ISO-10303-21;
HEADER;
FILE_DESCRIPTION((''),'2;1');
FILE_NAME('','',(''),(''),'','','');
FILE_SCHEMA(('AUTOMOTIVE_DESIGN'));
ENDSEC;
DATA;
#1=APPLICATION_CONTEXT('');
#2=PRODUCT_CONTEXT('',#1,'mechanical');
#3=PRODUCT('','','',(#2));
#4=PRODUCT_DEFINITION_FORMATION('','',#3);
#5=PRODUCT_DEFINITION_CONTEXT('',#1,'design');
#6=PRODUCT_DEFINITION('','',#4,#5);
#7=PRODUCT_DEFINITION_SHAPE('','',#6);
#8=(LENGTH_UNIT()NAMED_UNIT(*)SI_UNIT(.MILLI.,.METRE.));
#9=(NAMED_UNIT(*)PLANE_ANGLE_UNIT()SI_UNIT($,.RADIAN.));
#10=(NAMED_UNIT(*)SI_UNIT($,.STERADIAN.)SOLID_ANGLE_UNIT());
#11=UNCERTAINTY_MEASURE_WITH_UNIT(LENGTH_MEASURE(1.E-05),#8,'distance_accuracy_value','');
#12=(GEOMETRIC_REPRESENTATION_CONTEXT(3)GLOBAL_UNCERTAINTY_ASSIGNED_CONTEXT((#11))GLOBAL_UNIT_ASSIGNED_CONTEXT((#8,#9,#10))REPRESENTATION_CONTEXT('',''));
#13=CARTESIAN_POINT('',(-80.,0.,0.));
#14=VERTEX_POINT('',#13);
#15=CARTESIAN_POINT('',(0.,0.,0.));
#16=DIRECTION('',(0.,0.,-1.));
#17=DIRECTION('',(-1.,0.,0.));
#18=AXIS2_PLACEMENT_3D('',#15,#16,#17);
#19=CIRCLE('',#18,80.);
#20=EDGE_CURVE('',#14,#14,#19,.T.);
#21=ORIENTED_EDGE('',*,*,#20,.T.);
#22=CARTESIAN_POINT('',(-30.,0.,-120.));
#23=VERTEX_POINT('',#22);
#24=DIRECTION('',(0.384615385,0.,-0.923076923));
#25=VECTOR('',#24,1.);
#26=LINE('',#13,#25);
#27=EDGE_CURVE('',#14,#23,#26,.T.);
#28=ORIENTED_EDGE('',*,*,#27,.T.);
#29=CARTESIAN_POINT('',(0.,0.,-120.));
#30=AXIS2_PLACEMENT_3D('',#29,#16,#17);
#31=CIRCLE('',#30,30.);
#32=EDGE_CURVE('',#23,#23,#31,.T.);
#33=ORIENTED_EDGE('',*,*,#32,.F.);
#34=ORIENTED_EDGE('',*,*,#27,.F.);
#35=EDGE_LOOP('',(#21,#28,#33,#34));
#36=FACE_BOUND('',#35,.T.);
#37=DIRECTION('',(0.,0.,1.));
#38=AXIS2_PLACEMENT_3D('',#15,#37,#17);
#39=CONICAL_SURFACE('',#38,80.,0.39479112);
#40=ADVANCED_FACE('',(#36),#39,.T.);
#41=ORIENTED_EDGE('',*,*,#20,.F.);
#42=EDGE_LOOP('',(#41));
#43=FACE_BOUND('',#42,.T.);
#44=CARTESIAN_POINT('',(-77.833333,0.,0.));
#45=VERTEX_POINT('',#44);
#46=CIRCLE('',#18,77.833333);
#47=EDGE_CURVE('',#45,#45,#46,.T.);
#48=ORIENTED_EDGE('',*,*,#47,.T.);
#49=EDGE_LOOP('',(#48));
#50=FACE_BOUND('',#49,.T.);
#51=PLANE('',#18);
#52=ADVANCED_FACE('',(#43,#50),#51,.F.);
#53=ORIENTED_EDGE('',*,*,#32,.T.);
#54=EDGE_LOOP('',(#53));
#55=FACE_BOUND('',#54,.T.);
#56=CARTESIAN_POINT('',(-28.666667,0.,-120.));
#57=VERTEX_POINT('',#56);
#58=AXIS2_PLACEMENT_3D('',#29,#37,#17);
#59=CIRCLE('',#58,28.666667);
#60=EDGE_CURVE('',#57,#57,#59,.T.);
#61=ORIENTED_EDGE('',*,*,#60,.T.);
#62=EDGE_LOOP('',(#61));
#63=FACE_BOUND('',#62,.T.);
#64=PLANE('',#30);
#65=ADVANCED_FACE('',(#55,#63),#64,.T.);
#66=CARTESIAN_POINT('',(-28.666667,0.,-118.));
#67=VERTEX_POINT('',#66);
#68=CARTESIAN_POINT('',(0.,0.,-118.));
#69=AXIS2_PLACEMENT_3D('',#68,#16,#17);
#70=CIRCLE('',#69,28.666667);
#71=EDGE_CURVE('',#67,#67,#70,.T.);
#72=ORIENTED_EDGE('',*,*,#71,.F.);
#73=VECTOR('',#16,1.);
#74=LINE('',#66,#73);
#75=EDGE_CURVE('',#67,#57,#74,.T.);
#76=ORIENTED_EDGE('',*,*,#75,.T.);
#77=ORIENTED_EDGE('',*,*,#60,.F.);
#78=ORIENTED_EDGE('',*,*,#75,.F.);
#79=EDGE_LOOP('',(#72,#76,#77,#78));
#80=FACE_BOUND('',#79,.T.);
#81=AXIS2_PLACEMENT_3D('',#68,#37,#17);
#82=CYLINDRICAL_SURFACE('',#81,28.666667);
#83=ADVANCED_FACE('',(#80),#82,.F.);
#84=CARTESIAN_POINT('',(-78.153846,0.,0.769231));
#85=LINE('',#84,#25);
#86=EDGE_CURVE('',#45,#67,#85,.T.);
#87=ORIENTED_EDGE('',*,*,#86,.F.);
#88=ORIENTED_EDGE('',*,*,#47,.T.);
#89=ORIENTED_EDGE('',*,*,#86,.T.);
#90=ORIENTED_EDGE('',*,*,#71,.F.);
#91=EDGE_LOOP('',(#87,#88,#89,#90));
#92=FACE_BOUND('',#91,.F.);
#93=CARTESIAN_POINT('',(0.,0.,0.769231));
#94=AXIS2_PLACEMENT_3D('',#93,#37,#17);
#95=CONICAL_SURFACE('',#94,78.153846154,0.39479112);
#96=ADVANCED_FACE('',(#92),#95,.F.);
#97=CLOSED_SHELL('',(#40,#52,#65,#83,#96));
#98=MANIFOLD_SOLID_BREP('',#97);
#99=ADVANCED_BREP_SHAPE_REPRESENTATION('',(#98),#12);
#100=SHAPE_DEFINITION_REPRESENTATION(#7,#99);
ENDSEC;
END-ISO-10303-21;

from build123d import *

# Parameters (mm, degrees)
F2_T     = -2
F3_DEPTH = 25


with BuildPart() as f1:
    # F0 (on Front) → F1 (revolve)
    with BuildSketch(Plane.XZ):
        Polygon((0, -120), (0, 0), (-80, 0), (-30, -120), align=None)
    revolve(axis=Axis((0, 0, -60), (0, 0, -1)))

    # F2
    f2_openings = [f1.faces().sort_by_distance(p)[0] for p in [
        (0, 0, 0),
    ]]
    offset(amount=F2_T, openings=f2_openings)

    # F3 (cut): a face of the model
    f3_faces = [f1.faces().sort_by_distance(p)[0] for p in [
        (0, 0, -118),
    ]]
    extrude(f3_faces, amount=-F3_DEPTH, mode=Mode.SUBTRACT)


solid = f1.part
